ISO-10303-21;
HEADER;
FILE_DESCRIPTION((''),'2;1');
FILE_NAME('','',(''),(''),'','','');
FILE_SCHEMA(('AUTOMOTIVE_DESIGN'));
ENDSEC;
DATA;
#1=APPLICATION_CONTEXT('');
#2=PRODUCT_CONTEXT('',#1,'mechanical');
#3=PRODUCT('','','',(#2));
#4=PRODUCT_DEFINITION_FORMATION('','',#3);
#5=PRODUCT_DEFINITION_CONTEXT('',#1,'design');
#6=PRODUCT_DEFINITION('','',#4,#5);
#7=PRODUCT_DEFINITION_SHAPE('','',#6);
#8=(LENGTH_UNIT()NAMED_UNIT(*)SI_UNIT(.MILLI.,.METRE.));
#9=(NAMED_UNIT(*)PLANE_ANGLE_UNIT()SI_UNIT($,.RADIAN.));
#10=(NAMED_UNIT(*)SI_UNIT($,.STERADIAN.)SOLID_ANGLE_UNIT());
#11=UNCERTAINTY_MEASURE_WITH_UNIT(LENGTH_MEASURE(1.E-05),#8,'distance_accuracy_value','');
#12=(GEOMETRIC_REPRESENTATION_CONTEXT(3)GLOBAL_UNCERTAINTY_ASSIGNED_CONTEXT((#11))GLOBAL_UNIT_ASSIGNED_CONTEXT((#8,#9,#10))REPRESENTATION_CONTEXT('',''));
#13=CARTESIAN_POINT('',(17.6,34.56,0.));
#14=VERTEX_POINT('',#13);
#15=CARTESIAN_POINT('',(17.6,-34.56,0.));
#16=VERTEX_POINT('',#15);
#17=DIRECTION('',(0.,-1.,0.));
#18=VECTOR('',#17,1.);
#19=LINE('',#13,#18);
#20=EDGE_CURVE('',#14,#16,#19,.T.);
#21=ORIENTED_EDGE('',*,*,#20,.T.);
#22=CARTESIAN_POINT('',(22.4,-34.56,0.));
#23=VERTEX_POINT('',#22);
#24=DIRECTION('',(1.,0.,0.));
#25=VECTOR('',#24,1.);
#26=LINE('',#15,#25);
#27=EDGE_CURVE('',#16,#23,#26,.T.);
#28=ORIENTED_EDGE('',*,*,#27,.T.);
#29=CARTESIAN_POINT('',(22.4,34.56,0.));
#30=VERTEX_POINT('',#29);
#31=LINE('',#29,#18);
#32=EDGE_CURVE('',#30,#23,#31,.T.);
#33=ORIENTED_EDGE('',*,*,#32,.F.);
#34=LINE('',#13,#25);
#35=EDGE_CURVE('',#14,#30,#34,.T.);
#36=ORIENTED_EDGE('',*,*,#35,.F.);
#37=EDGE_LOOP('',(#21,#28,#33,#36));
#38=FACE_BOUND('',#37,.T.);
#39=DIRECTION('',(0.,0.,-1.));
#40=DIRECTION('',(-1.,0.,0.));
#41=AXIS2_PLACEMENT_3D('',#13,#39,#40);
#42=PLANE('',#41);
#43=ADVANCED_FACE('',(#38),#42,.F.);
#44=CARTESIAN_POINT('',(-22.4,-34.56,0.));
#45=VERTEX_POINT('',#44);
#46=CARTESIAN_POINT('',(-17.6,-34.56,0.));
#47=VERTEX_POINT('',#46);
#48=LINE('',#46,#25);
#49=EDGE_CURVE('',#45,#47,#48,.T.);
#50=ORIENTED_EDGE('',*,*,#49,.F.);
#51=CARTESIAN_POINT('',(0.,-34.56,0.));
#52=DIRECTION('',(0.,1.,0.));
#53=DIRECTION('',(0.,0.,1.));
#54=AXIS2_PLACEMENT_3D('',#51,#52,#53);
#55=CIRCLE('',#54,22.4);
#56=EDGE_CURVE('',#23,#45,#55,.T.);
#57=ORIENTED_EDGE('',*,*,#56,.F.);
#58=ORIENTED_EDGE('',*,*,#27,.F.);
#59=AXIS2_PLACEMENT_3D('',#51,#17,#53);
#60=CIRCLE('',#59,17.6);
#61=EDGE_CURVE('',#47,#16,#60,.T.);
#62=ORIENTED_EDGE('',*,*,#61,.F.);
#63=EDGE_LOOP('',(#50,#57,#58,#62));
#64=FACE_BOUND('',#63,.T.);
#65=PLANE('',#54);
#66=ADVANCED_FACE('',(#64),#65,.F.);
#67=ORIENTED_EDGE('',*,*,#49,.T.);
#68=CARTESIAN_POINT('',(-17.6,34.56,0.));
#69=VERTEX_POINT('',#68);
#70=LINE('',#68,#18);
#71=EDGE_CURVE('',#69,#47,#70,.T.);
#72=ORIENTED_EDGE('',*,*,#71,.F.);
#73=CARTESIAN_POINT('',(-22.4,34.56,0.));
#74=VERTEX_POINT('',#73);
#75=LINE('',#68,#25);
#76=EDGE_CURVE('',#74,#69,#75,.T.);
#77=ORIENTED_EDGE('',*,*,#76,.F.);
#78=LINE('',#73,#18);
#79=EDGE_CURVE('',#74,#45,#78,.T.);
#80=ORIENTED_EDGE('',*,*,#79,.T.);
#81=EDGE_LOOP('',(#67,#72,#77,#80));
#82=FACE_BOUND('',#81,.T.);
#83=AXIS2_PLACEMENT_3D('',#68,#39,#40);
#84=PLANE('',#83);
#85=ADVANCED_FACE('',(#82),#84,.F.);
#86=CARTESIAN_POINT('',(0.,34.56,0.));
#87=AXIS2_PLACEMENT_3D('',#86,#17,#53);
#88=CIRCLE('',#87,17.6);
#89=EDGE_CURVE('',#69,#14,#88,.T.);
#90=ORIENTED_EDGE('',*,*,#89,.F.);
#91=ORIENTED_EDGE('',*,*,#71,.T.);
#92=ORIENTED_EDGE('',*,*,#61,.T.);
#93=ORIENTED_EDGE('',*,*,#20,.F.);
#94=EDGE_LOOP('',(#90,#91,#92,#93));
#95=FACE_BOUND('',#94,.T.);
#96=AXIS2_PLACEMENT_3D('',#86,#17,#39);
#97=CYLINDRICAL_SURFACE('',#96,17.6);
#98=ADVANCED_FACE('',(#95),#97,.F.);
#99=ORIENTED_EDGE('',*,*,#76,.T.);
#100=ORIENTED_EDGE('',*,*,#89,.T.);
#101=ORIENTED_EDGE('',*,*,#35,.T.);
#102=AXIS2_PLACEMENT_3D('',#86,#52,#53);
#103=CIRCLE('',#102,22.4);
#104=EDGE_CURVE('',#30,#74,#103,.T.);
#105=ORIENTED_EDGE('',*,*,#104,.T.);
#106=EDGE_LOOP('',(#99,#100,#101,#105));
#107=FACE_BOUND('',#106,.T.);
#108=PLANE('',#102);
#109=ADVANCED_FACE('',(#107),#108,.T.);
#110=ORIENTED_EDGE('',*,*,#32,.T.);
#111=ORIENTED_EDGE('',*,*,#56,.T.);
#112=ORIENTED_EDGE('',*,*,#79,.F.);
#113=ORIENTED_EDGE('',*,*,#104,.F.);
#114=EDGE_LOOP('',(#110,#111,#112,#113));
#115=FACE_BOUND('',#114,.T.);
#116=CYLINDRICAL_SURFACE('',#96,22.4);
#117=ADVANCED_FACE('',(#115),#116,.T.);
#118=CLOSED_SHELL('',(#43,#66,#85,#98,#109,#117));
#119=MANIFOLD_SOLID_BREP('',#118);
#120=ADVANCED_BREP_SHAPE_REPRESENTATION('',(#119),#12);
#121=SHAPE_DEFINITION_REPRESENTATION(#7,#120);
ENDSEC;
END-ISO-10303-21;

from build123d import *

# Parameters (mm, degrees)
BOSS_EXTRU_1_DEPTH = 34.56


with BuildPart() as part:
    # Esquisse1 → Boss.-Extru.1 (new body, symmetric)
    with BuildSketch(Plane(origin=(0, 0, 0), x_dir=(1, 0, 0), z_dir=(0, 1, 0))):
        with BuildLine():
            Line((17.6, 0), (22.4, 0))
            ThreePointArc((22.4, 0), (0, 22.4), (-22.4, 0))
            Line((-22.4, 0), (-17.6, 0))
            ThreePointArc((-17.6, 0), (0, 17.6), (17.6, 0))
        make_face()
    extrude(amount=BOSS_EXTRU_1_DEPTH, both=True)


solid = part.part
